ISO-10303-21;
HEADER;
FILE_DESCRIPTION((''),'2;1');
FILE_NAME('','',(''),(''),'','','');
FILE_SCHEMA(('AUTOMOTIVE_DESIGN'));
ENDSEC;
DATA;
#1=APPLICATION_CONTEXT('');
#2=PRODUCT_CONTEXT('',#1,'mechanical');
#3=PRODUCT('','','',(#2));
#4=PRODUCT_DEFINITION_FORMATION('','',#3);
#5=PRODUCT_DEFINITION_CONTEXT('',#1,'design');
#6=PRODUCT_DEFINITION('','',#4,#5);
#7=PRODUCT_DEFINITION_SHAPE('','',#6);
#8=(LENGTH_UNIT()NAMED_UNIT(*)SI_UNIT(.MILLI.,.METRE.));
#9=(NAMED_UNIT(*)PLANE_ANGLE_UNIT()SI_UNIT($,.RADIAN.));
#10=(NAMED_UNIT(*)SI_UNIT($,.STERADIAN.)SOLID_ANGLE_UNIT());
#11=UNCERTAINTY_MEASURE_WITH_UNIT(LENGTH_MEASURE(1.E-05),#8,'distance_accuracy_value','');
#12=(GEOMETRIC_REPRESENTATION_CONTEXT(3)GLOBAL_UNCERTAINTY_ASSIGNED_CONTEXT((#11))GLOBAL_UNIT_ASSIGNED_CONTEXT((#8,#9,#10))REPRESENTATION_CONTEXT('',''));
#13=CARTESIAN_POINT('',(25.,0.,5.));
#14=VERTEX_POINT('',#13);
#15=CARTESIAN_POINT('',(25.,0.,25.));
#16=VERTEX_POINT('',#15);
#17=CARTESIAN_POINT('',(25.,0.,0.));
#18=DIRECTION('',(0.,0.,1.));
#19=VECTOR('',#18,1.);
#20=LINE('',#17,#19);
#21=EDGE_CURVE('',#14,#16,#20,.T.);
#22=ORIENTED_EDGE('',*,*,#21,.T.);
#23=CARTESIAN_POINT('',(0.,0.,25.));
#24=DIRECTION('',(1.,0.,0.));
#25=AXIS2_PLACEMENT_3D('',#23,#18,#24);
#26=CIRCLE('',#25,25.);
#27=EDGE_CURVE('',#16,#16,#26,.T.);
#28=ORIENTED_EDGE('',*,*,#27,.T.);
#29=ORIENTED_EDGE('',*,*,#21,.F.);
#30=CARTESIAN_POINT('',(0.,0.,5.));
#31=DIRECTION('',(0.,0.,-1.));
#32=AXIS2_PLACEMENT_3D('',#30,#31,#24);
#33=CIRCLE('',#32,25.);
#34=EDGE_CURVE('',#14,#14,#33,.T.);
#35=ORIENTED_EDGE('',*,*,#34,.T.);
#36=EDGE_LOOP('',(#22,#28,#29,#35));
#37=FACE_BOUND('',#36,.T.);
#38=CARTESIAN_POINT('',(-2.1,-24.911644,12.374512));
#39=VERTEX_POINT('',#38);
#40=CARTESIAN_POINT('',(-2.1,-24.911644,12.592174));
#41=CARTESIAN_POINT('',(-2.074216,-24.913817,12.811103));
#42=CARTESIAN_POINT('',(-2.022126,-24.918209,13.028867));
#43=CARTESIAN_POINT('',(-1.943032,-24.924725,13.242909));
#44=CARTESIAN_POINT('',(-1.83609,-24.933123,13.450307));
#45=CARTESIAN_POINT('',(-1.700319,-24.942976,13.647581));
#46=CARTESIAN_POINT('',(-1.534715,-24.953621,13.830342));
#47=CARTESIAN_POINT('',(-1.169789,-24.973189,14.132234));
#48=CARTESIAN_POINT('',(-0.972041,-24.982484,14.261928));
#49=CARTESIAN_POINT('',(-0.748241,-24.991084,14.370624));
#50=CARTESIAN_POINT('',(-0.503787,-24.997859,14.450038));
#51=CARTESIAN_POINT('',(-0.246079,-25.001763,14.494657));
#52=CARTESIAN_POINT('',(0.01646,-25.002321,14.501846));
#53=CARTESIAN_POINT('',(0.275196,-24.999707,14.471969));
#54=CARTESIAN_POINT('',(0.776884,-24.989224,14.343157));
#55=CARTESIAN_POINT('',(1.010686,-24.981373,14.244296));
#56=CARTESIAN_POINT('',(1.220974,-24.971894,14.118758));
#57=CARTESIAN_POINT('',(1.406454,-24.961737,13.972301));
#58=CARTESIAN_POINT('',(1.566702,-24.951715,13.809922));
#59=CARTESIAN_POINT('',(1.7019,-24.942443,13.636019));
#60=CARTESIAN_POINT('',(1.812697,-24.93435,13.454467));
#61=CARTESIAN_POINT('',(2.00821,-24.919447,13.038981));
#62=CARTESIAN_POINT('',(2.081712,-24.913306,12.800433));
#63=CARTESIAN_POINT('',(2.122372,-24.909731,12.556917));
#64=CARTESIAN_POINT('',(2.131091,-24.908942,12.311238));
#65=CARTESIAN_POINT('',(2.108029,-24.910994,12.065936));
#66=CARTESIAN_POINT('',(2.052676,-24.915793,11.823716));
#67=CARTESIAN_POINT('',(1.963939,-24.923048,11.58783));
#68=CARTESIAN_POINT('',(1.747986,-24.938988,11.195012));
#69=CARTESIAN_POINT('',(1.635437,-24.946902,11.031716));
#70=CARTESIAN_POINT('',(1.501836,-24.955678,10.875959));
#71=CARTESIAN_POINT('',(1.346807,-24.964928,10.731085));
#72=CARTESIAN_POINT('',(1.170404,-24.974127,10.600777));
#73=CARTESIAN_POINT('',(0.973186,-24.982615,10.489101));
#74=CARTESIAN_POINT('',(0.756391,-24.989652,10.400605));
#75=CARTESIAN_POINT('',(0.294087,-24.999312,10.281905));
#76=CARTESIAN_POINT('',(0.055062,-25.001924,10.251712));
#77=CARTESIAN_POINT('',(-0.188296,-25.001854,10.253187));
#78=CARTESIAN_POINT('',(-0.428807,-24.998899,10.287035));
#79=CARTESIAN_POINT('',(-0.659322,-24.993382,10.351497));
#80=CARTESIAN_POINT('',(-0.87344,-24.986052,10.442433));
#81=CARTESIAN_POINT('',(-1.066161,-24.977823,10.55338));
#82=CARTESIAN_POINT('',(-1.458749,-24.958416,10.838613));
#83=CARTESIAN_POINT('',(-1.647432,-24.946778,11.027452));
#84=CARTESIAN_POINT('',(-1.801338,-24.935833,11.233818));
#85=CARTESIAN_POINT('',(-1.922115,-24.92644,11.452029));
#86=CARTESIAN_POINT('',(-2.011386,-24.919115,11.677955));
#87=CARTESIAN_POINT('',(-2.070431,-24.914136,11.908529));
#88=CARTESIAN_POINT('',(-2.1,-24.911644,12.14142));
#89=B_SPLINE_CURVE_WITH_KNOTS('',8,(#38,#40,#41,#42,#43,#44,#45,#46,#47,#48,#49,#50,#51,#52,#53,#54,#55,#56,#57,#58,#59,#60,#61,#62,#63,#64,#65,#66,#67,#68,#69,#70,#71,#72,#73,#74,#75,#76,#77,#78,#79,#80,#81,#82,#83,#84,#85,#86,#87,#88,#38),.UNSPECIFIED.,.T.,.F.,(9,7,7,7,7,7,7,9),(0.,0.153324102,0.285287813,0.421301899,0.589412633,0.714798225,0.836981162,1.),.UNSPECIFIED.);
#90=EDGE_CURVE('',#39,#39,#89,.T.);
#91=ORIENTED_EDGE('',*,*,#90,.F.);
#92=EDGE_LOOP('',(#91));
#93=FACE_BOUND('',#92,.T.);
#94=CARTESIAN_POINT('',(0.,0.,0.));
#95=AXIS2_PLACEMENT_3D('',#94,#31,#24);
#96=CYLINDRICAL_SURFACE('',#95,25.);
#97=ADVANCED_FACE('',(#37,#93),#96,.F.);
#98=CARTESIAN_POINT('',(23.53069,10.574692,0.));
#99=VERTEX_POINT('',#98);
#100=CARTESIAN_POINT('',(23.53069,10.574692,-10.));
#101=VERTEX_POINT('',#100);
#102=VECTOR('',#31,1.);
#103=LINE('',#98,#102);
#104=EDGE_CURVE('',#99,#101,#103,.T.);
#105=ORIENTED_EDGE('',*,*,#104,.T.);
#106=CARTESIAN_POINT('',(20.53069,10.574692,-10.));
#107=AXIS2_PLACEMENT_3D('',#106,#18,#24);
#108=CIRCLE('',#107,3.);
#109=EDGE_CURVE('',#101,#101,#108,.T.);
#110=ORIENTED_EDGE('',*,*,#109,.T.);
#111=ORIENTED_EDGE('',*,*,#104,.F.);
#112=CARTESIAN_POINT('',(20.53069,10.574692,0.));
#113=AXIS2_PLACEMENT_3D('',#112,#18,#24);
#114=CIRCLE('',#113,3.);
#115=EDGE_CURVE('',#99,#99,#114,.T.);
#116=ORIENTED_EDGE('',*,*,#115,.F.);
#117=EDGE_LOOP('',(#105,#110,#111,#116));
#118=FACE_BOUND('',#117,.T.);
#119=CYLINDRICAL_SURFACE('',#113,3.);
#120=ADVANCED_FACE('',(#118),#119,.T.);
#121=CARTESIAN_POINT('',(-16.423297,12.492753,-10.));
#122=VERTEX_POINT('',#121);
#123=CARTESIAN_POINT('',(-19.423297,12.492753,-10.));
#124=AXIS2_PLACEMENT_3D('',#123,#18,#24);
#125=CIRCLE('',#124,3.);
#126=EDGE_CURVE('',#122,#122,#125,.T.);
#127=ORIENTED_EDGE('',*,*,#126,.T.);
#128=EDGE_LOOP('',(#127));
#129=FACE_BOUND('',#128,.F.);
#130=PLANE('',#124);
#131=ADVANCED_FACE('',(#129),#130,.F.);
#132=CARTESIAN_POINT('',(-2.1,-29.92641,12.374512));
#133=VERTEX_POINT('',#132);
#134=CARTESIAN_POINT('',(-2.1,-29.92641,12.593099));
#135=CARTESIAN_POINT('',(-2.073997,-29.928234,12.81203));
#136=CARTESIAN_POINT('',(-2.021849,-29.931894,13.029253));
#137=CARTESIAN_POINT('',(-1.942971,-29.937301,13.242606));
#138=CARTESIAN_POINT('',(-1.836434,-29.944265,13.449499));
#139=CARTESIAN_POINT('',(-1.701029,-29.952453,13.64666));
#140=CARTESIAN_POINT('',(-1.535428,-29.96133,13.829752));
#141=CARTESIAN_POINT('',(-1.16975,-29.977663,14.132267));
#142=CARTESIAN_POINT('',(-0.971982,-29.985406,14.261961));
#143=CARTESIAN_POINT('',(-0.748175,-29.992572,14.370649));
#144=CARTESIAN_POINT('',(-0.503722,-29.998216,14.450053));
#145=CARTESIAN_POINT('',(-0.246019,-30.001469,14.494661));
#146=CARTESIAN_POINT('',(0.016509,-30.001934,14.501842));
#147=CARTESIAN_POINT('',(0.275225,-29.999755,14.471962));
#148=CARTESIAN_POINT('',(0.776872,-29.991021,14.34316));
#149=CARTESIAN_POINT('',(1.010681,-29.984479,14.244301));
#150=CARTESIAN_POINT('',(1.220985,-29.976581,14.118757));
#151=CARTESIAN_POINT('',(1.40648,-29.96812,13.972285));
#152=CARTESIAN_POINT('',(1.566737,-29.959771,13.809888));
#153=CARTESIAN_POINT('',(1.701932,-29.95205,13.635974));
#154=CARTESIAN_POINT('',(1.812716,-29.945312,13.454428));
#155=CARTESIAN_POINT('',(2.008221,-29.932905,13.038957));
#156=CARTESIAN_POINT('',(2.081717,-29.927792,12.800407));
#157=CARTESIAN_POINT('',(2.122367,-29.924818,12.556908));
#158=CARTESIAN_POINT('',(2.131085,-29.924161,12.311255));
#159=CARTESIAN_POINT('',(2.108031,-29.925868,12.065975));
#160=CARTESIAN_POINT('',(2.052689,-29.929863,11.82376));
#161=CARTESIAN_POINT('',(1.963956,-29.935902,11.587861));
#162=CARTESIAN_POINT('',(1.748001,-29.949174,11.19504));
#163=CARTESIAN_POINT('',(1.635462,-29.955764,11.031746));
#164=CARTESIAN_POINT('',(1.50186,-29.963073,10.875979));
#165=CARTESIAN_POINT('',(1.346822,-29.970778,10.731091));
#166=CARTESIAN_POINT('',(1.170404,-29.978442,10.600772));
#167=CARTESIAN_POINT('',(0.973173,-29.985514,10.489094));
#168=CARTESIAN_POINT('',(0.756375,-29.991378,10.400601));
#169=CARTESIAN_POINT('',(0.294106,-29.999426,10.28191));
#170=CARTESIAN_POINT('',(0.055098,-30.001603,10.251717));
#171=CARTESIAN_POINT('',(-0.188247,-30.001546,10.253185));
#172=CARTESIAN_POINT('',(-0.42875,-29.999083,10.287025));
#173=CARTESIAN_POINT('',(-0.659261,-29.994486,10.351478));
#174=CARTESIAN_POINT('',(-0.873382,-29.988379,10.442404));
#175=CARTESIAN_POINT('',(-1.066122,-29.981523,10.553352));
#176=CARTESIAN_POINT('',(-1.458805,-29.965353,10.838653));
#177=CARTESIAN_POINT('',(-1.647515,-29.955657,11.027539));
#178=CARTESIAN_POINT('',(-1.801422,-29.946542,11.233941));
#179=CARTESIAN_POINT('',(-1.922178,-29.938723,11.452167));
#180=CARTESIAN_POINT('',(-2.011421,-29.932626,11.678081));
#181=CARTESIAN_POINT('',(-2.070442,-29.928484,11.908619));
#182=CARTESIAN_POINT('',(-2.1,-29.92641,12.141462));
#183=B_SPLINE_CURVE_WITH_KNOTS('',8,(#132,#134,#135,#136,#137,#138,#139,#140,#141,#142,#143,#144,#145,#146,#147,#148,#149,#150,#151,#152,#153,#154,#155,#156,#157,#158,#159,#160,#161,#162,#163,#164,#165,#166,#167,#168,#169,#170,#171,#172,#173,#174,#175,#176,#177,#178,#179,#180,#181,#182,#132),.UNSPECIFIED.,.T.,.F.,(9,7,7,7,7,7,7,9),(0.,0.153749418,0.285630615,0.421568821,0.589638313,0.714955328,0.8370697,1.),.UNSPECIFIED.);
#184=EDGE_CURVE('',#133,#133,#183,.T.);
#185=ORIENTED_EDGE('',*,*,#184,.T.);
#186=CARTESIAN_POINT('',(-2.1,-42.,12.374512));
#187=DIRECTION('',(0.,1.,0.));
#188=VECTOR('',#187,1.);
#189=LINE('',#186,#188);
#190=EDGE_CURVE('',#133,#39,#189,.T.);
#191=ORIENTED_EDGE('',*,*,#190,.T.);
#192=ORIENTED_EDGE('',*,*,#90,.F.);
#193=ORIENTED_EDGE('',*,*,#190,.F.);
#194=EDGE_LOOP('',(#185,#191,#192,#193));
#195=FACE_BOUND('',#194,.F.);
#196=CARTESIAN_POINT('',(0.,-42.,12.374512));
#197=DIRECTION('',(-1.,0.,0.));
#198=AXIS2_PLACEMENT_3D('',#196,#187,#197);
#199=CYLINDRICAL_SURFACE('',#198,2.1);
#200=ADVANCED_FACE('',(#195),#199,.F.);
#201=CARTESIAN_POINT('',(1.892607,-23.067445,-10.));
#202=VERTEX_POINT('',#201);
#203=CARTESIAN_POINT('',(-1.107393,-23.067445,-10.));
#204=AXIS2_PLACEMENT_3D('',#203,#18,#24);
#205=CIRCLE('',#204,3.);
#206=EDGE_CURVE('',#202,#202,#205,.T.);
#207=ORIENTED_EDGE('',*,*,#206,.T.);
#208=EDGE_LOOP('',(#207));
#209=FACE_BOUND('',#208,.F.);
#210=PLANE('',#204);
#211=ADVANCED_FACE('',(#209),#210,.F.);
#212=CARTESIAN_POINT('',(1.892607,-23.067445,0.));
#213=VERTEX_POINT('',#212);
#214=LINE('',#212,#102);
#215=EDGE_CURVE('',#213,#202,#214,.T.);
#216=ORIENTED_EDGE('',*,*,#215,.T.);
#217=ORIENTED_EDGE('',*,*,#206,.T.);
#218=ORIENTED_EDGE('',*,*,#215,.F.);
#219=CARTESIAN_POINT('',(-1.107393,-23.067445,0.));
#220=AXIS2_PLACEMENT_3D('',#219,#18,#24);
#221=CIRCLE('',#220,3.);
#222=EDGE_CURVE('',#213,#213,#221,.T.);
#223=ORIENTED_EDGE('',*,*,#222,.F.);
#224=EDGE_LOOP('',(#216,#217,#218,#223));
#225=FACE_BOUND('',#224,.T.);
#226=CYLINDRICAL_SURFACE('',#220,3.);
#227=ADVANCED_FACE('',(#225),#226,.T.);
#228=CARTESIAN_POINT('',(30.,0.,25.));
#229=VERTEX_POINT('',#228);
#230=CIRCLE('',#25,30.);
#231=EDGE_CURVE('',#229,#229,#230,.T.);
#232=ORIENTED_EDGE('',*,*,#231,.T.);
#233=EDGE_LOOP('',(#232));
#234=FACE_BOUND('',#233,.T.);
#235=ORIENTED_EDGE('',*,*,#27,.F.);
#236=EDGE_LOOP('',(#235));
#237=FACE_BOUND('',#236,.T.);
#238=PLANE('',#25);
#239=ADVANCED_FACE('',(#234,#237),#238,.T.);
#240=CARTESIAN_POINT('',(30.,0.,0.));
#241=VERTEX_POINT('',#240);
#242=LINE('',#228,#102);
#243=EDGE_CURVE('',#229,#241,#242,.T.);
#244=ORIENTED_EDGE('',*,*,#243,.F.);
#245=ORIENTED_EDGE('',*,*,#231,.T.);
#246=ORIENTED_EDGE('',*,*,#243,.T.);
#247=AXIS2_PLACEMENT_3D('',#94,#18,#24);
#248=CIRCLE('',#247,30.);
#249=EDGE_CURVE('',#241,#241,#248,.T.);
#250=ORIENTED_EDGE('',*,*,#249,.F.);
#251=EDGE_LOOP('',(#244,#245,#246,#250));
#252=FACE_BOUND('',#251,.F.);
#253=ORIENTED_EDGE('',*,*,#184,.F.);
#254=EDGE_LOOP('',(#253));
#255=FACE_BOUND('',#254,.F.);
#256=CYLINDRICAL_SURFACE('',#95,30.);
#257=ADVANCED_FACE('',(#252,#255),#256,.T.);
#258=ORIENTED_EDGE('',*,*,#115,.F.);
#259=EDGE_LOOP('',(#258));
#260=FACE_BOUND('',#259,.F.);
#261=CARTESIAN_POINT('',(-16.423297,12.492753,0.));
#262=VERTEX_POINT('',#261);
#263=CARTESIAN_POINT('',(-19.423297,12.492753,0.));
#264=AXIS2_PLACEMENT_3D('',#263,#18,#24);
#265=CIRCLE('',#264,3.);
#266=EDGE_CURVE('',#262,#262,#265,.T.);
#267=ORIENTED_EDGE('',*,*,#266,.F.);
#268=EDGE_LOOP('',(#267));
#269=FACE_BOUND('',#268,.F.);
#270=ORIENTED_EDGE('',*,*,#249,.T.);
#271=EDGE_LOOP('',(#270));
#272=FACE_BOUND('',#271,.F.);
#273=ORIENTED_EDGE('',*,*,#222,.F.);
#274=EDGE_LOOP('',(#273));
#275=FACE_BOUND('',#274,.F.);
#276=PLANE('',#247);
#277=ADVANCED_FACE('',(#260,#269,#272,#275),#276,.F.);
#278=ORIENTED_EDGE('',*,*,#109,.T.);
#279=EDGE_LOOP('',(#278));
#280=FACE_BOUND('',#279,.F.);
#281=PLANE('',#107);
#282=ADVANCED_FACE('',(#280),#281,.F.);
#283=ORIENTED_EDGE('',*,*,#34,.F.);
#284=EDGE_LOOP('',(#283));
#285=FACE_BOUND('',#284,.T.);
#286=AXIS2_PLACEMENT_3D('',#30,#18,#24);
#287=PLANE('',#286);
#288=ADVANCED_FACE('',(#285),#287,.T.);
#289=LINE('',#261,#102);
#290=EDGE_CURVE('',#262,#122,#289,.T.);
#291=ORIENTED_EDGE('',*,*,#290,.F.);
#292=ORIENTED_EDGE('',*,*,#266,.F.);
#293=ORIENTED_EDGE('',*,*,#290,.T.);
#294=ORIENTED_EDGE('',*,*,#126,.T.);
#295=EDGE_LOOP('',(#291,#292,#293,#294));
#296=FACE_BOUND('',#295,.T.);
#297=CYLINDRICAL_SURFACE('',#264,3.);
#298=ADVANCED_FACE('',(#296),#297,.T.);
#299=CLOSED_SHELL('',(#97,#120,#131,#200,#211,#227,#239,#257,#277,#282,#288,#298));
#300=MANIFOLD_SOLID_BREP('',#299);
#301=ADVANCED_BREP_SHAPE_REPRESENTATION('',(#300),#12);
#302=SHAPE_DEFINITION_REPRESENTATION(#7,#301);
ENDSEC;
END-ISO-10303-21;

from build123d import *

# Parameters (mm, degrees)
F0_R     = 30
F0_R_2   = 25
F1_DEPTH = 25
F2_R     = 30
F3_DEPTH = 5
F4_R     = 3
F5_DEPTH = 10
F9_D     = 4.2
F9_DEPTH = 12


with BuildPart() as f1:
    # F0 (on Top) → F1 (new body)
    with BuildSketch(Plane.XY):
        Circle(F0_R)
        Circle(F0_R_2, mode=Mode.SUBTRACT)
    extrude(amount=F1_DEPTH)

    # F2 (on Top) → F3 (join)
    with BuildSketch(Plane.XY):
        Circle(F2_R)
    extrude(amount=F3_DEPTH)

    # F4 (on face) → F5 (join)
    with BuildSketch(Plane.XY):
        with Locations((-1.107393, -23.067445)):
            Circle(F4_R)
        with Locations((-19.423297, 12.492753)):
            Circle(F4_R)
        with Locations((20.53069, 10.574692)):
            Circle(F4_R)
    extrude(amount=-F5_DEPTH)

    # F9
    with Locations(Plane.XZ.offset(30)):
        with Locations((0, 12.374512)):
            Hole(F9_D / 2, depth=F9_DEPTH)


solid = f1.part
